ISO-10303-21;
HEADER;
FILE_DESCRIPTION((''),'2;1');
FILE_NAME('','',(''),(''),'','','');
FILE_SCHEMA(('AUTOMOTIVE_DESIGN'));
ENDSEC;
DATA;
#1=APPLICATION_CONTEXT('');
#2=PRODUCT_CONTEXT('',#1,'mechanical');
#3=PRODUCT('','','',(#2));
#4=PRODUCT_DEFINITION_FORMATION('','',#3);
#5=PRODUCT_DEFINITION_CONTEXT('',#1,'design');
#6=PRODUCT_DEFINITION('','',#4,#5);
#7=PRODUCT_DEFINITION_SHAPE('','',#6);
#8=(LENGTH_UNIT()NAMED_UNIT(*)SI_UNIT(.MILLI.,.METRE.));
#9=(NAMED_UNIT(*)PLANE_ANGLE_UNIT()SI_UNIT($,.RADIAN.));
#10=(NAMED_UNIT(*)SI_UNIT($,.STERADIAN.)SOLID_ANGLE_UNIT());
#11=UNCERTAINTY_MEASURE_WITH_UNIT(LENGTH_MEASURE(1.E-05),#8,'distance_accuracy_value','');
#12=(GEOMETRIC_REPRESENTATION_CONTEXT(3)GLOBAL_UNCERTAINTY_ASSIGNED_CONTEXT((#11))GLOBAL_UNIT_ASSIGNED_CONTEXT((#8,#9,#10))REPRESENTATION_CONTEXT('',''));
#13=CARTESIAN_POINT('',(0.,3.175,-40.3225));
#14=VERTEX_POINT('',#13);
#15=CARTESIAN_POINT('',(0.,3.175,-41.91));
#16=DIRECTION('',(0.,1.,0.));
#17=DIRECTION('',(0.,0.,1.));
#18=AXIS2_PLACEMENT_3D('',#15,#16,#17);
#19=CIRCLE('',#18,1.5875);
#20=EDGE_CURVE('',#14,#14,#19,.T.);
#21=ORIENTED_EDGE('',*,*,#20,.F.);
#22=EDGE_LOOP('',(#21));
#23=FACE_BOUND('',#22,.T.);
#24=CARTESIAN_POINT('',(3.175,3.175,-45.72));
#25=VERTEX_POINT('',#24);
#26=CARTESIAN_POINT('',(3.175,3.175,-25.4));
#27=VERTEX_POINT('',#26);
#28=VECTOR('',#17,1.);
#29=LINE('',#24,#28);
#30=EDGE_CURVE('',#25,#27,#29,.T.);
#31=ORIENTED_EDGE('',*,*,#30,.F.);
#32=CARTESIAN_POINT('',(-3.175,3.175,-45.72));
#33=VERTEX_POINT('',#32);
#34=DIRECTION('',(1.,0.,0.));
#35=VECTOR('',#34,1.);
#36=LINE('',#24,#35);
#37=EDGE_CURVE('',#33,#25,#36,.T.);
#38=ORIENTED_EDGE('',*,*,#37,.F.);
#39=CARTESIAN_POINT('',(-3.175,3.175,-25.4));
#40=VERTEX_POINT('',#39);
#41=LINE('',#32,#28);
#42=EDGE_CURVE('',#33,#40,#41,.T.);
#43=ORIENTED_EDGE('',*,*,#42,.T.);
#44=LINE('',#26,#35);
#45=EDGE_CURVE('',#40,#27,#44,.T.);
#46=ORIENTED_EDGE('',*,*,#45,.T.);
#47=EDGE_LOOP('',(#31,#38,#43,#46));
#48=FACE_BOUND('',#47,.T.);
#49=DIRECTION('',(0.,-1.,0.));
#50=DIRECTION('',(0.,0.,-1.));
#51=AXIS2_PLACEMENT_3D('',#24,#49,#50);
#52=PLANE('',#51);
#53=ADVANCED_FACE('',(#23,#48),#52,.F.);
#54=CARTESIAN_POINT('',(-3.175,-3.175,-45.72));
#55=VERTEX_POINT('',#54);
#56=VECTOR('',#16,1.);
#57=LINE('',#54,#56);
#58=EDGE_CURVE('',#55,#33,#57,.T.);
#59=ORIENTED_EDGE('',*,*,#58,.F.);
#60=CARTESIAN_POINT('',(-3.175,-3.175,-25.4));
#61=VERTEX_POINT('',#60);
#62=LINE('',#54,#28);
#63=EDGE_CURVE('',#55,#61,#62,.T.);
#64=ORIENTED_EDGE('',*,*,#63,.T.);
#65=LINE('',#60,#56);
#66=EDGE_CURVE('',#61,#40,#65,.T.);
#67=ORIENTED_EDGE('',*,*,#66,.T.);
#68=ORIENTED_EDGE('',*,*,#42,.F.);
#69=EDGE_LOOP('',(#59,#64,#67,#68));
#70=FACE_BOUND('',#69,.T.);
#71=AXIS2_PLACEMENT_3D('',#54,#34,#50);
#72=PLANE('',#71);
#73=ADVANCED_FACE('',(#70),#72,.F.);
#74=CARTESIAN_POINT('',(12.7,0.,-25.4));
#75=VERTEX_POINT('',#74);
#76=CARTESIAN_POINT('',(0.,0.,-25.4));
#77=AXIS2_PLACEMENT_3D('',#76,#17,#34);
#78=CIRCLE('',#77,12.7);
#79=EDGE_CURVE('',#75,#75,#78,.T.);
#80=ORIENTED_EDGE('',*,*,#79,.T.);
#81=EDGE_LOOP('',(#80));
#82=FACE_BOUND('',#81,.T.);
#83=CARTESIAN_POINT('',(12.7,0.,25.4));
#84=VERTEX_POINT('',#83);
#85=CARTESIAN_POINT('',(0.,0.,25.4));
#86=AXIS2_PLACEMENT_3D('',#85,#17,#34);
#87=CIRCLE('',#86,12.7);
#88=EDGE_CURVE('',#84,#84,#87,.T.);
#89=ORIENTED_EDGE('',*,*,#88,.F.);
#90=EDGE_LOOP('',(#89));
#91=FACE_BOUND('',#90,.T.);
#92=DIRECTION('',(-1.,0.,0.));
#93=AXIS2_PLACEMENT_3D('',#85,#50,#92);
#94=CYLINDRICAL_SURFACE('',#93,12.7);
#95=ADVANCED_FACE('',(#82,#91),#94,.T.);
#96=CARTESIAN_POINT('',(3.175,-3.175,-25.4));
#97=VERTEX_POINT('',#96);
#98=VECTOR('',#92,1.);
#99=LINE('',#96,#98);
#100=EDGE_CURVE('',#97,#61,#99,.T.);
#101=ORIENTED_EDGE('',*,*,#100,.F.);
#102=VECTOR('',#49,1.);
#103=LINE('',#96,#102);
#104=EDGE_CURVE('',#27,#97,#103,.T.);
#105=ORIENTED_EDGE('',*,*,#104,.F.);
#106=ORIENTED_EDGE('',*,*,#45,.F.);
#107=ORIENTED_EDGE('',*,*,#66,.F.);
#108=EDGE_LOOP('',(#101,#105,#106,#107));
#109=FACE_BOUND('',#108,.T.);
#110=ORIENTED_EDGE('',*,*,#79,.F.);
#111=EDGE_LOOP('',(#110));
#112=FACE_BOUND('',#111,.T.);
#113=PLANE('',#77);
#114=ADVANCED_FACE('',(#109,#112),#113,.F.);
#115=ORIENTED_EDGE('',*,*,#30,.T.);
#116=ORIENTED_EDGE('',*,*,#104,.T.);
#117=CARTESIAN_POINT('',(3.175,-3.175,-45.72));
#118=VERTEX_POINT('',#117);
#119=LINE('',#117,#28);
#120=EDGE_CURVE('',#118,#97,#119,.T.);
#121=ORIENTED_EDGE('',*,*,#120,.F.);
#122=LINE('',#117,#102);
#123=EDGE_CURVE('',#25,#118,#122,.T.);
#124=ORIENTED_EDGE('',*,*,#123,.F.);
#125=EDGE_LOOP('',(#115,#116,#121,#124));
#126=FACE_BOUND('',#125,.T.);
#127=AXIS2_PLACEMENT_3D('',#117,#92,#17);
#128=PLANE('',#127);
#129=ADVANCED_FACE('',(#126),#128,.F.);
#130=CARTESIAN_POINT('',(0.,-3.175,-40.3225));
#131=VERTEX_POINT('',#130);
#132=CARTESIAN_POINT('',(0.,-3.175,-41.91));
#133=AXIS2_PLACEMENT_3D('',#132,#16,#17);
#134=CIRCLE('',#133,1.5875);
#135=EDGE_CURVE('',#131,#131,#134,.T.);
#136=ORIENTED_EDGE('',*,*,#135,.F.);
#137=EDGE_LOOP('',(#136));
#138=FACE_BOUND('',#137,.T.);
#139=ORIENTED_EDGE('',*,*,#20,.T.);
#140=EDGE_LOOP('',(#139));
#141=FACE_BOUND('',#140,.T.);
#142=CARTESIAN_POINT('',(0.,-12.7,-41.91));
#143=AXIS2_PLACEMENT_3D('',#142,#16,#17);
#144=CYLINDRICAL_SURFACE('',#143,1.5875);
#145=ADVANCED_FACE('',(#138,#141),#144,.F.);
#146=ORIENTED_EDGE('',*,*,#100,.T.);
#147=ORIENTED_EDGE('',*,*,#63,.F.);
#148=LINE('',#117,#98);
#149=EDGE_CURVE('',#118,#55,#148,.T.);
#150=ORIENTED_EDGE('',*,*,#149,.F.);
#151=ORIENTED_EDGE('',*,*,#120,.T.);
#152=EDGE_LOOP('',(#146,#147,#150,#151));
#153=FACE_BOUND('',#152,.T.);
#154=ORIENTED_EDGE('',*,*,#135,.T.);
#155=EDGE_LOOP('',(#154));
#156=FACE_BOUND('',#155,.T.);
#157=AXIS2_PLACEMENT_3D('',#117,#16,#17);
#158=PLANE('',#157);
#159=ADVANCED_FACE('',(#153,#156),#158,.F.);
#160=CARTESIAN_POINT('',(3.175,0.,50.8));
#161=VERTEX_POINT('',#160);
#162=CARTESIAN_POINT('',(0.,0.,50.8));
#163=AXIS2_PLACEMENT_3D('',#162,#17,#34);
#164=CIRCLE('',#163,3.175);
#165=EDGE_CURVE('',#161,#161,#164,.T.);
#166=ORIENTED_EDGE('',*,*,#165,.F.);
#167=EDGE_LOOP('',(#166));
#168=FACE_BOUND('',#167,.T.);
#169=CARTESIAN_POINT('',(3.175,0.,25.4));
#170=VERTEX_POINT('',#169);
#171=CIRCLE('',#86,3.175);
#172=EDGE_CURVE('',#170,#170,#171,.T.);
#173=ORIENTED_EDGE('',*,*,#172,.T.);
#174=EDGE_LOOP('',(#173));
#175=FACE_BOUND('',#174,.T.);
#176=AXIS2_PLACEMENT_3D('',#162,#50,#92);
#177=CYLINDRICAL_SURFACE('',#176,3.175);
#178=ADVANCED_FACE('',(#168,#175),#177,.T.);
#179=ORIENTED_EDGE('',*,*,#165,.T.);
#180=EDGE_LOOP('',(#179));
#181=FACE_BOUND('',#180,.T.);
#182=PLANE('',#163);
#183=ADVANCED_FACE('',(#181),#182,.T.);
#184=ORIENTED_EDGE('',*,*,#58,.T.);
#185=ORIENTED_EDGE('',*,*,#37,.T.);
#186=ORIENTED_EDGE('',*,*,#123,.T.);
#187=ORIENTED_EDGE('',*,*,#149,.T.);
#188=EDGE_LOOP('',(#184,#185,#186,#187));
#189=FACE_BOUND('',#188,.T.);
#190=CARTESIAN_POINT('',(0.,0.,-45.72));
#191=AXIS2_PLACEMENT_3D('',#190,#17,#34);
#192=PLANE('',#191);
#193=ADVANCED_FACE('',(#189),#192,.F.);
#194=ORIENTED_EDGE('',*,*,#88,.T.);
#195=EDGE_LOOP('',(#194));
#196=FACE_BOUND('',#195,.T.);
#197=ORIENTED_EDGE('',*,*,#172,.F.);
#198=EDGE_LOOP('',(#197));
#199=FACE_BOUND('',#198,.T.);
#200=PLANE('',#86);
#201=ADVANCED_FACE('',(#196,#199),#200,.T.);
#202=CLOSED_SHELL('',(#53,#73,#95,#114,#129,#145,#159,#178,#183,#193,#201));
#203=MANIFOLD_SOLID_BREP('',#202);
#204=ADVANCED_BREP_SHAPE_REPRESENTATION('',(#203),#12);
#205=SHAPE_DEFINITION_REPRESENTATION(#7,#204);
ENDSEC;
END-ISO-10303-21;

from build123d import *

# Parameters (mm, degrees)
SKETCH1_R           = 12.7
BOSS_EXTRUDE1_DEPTH = 25.4
SKETCH2_R           = 3.175
BOSS_EXTRUDE2_DEPTH = 25.4
SKETCH3_W           = 6.35
SKETCH3_H           = 6.35
BOSS_EXTRUDE3_DEPTH = 20.32
SKETCH4_R           = 1.5875
CUT_EXTRUDE1_DEPTH  = 55.716959208


with BuildPart() as part:
    # Sketch1 → Boss-Extrude1 (new, symmetric)
    with BuildSketch(Plane.XY):
        Circle(SKETCH1_R)
    extrude(amount=BOSS_EXTRUDE1_DEPTH, both=True)

    # Sketch2 → Boss-Extrude2 (add)
    with BuildSketch(Plane.XY.offset(25.4)):
        Circle(SKETCH2_R)
    extrude(amount=BOSS_EXTRUDE2_DEPTH)

    # Sketch3 → Boss-Extrude3 (add)
    with BuildSketch(Plane(origin=(0, 0, -25.4), x_dir=(-1, 0, 0), z_dir=(0, 0, -1))):
        Rectangle(SKETCH3_W, SKETCH3_H)
    extrude(amount=BOSS_EXTRUDE3_DEPTH)

    # Sketch4 → Cut-Extrude1 (cut, through all)
    with BuildSketch(Plane(origin=(0, 3.175, 0), x_dir=(1, 0, 0), z_dir=(0, 1, 0))):
        with Locations(Location((0, 41.91, 0), (0, 0, 270))):
            Circle(SKETCH4_R)
    extrude(amount=-CUT_EXTRUDE1_DEPTH, mode=Mode.SUBTRACT)


solid = part.part
